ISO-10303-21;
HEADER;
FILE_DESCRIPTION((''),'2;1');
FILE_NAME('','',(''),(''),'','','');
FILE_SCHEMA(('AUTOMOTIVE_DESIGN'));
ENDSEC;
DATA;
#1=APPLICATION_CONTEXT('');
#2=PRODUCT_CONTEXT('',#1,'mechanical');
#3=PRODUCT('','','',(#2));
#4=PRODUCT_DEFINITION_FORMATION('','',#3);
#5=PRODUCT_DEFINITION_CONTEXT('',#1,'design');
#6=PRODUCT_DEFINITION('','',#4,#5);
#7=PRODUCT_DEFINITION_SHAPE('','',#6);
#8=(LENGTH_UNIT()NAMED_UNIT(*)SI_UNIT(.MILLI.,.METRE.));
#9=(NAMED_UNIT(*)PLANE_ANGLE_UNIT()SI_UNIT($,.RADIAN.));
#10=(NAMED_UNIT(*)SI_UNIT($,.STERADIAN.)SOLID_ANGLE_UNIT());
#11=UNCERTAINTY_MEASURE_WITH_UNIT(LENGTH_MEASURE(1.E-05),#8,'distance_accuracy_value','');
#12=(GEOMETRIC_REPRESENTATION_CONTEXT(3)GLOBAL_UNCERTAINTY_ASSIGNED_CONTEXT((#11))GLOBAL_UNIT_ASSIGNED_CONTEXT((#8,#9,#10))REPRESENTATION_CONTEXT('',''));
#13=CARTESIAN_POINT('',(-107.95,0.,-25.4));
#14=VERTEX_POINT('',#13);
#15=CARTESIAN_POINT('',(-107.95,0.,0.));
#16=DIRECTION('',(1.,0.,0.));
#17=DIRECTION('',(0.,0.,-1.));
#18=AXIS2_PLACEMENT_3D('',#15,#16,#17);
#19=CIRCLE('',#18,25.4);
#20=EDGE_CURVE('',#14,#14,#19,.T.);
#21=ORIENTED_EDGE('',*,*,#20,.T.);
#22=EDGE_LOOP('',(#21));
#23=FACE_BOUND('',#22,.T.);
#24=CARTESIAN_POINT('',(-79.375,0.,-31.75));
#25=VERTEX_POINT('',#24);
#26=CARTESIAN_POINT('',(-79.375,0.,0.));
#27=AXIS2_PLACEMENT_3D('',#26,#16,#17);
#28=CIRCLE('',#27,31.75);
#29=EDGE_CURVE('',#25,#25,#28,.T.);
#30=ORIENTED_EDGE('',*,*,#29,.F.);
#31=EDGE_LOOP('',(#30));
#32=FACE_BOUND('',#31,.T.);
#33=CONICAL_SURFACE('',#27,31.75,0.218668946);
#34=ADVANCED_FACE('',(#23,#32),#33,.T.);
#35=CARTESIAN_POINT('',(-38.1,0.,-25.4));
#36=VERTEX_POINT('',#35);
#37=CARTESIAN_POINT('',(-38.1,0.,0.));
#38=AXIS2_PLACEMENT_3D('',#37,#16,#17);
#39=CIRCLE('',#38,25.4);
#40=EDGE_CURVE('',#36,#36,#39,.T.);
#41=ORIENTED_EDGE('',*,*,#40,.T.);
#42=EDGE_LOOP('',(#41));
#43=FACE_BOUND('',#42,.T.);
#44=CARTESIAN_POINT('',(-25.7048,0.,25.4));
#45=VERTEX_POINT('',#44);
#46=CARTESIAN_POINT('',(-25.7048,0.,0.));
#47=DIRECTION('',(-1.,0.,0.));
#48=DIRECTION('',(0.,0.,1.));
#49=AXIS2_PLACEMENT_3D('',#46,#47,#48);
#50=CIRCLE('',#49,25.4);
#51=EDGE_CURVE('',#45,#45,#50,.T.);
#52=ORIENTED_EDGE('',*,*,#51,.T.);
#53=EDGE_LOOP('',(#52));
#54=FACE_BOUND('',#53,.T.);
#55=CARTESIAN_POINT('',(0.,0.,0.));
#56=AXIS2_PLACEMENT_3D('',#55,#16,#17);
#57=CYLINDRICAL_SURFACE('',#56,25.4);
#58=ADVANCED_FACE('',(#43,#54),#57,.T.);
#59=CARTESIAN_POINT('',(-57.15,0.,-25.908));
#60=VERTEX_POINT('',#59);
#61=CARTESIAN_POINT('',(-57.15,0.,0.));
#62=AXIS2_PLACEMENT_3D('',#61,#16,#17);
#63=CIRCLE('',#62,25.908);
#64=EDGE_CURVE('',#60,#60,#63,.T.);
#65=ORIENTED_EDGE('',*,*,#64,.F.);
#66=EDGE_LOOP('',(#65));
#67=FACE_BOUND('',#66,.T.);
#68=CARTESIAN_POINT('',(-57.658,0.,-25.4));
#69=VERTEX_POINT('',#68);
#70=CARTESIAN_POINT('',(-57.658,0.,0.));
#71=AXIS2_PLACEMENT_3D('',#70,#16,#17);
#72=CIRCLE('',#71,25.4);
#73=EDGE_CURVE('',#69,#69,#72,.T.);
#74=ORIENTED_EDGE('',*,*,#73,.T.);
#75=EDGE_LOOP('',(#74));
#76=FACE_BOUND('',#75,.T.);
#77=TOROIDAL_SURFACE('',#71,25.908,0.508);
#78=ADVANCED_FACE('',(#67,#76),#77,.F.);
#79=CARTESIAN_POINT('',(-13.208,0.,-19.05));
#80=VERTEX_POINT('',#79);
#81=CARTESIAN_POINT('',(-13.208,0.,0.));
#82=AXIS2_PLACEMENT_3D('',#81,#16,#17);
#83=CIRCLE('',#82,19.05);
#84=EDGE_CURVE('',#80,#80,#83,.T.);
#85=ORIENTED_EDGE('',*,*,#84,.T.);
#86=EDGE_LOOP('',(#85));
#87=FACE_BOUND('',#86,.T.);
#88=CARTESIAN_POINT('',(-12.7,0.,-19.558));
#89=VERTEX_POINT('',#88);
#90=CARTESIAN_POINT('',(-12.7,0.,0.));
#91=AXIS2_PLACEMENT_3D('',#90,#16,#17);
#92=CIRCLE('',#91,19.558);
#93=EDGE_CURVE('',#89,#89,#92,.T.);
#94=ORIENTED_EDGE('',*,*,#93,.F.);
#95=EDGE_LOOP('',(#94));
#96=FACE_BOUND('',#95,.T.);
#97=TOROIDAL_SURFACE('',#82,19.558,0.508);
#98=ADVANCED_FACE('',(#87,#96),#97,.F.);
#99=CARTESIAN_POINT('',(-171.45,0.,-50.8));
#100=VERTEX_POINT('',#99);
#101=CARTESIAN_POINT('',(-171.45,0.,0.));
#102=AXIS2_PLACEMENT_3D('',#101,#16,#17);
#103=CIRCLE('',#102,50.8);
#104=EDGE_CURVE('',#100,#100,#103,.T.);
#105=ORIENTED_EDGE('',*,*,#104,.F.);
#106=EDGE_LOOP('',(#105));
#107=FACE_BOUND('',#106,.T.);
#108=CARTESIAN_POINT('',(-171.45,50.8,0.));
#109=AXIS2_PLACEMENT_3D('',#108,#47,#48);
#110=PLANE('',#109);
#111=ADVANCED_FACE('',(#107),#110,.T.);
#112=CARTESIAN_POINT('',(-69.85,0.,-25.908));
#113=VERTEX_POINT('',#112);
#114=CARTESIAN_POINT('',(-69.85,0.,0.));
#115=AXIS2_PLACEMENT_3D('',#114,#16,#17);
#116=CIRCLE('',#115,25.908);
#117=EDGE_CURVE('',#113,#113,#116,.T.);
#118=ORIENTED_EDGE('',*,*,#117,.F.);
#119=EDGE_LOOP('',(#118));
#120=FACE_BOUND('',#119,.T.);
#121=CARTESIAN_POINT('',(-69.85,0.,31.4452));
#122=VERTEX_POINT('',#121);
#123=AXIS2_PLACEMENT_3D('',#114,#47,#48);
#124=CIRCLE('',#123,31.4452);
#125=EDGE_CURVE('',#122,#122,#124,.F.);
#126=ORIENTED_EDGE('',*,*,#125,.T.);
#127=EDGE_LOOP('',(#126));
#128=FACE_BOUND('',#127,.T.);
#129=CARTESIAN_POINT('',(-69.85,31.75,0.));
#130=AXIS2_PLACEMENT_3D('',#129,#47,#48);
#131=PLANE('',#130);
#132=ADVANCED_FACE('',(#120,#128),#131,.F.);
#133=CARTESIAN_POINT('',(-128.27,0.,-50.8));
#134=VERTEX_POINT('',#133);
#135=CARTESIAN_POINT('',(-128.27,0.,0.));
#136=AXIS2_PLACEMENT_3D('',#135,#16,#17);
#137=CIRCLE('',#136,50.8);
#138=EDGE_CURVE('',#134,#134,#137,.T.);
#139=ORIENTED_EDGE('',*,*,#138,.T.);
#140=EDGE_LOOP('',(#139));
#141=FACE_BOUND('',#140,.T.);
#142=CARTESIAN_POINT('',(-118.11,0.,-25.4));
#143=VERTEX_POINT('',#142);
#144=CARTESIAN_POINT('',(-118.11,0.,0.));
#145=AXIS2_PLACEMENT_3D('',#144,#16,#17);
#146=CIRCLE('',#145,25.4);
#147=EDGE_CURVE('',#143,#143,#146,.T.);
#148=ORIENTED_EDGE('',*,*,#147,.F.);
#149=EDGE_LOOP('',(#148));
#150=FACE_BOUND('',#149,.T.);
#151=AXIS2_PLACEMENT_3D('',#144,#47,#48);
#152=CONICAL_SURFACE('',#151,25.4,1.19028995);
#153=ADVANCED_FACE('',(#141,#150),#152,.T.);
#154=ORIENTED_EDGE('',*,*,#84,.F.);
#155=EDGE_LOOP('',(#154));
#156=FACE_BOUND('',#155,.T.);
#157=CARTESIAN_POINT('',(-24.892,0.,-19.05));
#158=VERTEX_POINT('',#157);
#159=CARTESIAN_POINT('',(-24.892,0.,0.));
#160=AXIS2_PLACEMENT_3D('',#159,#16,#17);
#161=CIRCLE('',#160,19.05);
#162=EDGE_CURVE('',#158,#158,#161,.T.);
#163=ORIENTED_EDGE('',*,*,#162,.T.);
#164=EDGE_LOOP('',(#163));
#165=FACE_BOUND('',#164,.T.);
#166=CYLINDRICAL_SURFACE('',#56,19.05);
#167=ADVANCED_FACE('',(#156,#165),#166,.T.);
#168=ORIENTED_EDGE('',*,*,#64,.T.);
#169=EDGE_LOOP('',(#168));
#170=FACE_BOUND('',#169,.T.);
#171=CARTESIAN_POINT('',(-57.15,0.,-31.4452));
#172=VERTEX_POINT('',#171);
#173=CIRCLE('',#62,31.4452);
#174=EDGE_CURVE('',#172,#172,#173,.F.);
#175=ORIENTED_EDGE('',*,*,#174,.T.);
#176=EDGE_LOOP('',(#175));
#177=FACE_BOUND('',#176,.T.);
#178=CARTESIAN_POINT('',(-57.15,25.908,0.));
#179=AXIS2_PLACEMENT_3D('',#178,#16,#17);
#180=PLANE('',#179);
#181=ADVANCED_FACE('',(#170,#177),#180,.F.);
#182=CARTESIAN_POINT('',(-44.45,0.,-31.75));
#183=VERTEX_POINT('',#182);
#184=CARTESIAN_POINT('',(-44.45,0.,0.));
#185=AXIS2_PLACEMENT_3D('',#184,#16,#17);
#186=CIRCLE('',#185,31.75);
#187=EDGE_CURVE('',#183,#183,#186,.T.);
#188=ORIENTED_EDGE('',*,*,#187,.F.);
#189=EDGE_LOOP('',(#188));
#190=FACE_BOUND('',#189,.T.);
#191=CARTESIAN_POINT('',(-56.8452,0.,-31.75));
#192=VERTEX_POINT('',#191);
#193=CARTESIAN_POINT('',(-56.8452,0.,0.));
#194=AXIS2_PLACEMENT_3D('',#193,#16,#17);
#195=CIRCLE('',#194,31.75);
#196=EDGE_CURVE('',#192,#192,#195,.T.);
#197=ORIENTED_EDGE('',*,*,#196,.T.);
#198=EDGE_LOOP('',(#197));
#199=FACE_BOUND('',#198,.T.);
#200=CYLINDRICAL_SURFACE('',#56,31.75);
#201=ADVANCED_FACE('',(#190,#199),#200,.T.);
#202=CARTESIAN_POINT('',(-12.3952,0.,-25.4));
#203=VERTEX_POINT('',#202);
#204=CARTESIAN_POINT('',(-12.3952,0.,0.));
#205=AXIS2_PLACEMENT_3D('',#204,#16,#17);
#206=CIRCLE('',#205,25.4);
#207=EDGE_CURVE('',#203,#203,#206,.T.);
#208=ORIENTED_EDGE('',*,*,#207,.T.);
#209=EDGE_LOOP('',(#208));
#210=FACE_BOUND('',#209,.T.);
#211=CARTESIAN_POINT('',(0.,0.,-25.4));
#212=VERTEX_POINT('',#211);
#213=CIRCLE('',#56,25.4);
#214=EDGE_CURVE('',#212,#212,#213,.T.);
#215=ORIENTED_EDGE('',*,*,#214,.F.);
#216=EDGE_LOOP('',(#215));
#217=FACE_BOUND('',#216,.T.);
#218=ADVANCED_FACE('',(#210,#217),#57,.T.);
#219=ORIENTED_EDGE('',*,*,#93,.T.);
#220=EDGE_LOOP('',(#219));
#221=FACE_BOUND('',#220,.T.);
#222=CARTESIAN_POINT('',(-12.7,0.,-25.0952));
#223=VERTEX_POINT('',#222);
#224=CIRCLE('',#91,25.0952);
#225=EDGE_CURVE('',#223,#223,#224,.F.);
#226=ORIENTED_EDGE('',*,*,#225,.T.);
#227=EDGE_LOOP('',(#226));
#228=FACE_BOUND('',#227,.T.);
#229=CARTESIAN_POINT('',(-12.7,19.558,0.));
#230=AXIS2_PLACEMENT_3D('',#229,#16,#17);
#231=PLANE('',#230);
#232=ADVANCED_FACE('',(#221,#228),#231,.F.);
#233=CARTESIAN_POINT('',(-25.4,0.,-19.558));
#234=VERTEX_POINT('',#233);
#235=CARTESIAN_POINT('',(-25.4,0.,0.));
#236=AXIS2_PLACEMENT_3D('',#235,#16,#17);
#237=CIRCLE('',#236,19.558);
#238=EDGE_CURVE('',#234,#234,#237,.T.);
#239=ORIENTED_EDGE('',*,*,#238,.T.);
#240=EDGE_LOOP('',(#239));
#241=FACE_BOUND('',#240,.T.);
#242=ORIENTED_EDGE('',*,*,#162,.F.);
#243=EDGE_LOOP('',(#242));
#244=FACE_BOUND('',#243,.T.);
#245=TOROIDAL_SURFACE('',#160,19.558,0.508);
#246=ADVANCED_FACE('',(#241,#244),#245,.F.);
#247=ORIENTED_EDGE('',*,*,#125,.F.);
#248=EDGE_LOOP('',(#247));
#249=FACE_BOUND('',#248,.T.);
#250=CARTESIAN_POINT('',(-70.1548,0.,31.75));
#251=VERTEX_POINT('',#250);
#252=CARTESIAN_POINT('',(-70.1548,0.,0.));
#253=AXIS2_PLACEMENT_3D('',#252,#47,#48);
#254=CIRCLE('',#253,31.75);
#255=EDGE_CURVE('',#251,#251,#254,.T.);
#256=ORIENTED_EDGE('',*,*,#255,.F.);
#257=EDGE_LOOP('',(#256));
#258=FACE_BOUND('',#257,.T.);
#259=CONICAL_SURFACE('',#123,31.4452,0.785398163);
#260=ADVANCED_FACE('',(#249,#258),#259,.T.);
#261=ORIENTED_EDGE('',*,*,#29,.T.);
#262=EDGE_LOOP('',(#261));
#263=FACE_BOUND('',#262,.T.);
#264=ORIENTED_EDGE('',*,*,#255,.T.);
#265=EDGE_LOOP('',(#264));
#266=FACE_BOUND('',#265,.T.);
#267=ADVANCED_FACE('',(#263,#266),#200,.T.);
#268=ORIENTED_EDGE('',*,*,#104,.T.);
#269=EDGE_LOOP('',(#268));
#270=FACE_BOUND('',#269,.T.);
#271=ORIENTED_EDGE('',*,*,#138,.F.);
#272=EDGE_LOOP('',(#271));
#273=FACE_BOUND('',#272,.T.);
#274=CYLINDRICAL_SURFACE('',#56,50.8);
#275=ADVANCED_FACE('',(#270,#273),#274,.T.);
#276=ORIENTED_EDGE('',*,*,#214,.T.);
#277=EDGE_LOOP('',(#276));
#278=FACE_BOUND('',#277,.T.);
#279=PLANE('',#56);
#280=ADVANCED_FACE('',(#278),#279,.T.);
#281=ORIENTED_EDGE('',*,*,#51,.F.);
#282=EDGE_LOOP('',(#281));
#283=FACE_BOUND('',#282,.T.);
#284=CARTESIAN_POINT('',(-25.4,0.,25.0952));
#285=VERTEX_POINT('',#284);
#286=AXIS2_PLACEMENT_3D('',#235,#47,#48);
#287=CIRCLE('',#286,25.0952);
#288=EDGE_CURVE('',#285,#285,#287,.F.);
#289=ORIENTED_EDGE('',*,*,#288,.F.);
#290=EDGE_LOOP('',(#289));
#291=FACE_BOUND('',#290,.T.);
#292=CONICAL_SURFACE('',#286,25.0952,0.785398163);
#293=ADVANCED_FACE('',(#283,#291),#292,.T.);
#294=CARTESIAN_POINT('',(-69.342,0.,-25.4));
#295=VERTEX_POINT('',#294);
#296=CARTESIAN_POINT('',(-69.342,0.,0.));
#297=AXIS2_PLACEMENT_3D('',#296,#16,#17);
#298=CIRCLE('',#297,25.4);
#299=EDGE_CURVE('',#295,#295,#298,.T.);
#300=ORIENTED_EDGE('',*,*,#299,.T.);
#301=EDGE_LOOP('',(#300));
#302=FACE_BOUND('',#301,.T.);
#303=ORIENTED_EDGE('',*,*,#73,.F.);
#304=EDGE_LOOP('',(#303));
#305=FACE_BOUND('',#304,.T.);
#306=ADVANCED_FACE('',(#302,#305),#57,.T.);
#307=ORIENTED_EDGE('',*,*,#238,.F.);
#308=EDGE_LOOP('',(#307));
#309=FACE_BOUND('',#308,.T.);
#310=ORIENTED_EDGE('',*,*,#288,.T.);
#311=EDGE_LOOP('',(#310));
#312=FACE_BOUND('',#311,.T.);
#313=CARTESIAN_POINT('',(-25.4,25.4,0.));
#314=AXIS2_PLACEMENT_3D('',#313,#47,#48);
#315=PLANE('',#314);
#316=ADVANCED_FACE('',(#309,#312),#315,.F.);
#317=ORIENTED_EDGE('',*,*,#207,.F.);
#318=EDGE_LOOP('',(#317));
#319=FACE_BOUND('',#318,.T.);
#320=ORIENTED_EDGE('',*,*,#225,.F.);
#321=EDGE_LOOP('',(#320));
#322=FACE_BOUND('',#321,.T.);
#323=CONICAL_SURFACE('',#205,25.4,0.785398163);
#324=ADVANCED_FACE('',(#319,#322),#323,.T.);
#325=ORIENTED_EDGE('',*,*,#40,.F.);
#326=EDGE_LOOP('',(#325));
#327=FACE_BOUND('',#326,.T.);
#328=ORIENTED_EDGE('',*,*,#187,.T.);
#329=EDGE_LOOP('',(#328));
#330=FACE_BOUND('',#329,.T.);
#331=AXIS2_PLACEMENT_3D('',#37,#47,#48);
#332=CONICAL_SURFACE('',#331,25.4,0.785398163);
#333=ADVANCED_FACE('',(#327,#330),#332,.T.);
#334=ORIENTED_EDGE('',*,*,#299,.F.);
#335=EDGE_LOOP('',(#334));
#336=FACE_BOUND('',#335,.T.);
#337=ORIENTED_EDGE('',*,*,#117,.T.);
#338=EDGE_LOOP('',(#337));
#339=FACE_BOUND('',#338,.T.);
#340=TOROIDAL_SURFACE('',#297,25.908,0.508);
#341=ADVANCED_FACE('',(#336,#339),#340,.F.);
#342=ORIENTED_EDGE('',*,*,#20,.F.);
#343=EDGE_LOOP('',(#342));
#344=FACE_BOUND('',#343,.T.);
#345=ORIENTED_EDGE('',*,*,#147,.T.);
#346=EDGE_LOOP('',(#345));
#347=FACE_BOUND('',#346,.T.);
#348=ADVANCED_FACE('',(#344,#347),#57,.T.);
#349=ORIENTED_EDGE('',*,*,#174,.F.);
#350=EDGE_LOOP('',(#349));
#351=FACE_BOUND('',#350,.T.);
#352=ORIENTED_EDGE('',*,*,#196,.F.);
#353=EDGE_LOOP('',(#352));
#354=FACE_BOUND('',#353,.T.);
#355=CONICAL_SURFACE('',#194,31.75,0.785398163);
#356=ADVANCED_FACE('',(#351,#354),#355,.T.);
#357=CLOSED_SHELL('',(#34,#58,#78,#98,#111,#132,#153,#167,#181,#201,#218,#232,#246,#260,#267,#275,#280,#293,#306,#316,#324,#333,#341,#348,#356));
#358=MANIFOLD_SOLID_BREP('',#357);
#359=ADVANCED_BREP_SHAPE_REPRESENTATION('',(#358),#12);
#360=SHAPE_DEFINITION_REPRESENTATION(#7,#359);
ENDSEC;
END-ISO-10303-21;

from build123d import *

# Parameters (mm, degrees)
CHAMFER1_SIZE = 0.3048


with BuildPart() as part:
    # Sketch1 → Base-Revolve (revolve)
    with BuildSketch(Plane.XY, mode=Mode.PRIVATE) as base_revolve_sk:
        with BuildLine():
            Line((0, 0), (0, 25.4))
            Line((0, 25.4), (-12.7, 25.4))
            Line((-12.7, 25.4), (-12.7, 19.558))
            ThreePointArc((-12.7, 19.558), (-12.848789755, 19.198789755), (-13.208, 19.05))
            Line((-13.208, 19.05), (-24.892, 19.05))
            ThreePointArc((-24.892, 19.05), (-25.251210245, 19.198789755), (-25.4, 19.558))
            Line((-25.4, 19.558), (-25.4, 25.4))
            Line((-25.4, 25.4), (-38.1, 25.4))
            Line((-38.1, 25.4), (-44.45, 31.75))
            Line((-44.45, 31.75), (-57.15, 31.75))
            Line((-57.15, 31.75), (-57.15, 25.908))
            ThreePointArc((-57.15, 25.908), (-57.298789755, 25.548789755), (-57.658, 25.4))
            Line((-57.658, 25.4), (-69.342, 25.4))
            ThreePointArc((-69.342, 25.4), (-69.701210245, 25.548789755), (-69.85, 25.908))
            Line((-69.85, 25.908), (-69.85, 31.75))
            Line((-69.85, 31.75), (-79.375, 31.75))
            Line((-79.375, 31.75), (-107.95, 25.4))
            Line((-107.95, 25.4), (-118.11, 25.4))
            Line((-118.11, 25.4), (-128.27, 50.8))
            Line((-128.27, 50.8), (-171.45, 50.8))
            Line((-171.45, 50.8), (-171.45, 0))
            Line((-171.45, 0), (0, 0))
        make_face()
    revolve(base_revolve_sk.sketch.rotate(Axis((0, 0, 0), (-1, 0, 0)), 90), axis=Axis((0, 0, 0), (-1, 0, 0)))

    # Chamfer1
    chamfer1_edges = [part.edges().sort_by_distance(p)[0] for p in [
        (-12.7, 0, 25.4),
        (-25.4, 0, 25.4),
        (-57.15, 0, 31.75),
        (-69.85, 0, 31.75),
    ]]
    chamfer(chamfer1_edges, length=CHAMFER1_SIZE)


solid = part.part
